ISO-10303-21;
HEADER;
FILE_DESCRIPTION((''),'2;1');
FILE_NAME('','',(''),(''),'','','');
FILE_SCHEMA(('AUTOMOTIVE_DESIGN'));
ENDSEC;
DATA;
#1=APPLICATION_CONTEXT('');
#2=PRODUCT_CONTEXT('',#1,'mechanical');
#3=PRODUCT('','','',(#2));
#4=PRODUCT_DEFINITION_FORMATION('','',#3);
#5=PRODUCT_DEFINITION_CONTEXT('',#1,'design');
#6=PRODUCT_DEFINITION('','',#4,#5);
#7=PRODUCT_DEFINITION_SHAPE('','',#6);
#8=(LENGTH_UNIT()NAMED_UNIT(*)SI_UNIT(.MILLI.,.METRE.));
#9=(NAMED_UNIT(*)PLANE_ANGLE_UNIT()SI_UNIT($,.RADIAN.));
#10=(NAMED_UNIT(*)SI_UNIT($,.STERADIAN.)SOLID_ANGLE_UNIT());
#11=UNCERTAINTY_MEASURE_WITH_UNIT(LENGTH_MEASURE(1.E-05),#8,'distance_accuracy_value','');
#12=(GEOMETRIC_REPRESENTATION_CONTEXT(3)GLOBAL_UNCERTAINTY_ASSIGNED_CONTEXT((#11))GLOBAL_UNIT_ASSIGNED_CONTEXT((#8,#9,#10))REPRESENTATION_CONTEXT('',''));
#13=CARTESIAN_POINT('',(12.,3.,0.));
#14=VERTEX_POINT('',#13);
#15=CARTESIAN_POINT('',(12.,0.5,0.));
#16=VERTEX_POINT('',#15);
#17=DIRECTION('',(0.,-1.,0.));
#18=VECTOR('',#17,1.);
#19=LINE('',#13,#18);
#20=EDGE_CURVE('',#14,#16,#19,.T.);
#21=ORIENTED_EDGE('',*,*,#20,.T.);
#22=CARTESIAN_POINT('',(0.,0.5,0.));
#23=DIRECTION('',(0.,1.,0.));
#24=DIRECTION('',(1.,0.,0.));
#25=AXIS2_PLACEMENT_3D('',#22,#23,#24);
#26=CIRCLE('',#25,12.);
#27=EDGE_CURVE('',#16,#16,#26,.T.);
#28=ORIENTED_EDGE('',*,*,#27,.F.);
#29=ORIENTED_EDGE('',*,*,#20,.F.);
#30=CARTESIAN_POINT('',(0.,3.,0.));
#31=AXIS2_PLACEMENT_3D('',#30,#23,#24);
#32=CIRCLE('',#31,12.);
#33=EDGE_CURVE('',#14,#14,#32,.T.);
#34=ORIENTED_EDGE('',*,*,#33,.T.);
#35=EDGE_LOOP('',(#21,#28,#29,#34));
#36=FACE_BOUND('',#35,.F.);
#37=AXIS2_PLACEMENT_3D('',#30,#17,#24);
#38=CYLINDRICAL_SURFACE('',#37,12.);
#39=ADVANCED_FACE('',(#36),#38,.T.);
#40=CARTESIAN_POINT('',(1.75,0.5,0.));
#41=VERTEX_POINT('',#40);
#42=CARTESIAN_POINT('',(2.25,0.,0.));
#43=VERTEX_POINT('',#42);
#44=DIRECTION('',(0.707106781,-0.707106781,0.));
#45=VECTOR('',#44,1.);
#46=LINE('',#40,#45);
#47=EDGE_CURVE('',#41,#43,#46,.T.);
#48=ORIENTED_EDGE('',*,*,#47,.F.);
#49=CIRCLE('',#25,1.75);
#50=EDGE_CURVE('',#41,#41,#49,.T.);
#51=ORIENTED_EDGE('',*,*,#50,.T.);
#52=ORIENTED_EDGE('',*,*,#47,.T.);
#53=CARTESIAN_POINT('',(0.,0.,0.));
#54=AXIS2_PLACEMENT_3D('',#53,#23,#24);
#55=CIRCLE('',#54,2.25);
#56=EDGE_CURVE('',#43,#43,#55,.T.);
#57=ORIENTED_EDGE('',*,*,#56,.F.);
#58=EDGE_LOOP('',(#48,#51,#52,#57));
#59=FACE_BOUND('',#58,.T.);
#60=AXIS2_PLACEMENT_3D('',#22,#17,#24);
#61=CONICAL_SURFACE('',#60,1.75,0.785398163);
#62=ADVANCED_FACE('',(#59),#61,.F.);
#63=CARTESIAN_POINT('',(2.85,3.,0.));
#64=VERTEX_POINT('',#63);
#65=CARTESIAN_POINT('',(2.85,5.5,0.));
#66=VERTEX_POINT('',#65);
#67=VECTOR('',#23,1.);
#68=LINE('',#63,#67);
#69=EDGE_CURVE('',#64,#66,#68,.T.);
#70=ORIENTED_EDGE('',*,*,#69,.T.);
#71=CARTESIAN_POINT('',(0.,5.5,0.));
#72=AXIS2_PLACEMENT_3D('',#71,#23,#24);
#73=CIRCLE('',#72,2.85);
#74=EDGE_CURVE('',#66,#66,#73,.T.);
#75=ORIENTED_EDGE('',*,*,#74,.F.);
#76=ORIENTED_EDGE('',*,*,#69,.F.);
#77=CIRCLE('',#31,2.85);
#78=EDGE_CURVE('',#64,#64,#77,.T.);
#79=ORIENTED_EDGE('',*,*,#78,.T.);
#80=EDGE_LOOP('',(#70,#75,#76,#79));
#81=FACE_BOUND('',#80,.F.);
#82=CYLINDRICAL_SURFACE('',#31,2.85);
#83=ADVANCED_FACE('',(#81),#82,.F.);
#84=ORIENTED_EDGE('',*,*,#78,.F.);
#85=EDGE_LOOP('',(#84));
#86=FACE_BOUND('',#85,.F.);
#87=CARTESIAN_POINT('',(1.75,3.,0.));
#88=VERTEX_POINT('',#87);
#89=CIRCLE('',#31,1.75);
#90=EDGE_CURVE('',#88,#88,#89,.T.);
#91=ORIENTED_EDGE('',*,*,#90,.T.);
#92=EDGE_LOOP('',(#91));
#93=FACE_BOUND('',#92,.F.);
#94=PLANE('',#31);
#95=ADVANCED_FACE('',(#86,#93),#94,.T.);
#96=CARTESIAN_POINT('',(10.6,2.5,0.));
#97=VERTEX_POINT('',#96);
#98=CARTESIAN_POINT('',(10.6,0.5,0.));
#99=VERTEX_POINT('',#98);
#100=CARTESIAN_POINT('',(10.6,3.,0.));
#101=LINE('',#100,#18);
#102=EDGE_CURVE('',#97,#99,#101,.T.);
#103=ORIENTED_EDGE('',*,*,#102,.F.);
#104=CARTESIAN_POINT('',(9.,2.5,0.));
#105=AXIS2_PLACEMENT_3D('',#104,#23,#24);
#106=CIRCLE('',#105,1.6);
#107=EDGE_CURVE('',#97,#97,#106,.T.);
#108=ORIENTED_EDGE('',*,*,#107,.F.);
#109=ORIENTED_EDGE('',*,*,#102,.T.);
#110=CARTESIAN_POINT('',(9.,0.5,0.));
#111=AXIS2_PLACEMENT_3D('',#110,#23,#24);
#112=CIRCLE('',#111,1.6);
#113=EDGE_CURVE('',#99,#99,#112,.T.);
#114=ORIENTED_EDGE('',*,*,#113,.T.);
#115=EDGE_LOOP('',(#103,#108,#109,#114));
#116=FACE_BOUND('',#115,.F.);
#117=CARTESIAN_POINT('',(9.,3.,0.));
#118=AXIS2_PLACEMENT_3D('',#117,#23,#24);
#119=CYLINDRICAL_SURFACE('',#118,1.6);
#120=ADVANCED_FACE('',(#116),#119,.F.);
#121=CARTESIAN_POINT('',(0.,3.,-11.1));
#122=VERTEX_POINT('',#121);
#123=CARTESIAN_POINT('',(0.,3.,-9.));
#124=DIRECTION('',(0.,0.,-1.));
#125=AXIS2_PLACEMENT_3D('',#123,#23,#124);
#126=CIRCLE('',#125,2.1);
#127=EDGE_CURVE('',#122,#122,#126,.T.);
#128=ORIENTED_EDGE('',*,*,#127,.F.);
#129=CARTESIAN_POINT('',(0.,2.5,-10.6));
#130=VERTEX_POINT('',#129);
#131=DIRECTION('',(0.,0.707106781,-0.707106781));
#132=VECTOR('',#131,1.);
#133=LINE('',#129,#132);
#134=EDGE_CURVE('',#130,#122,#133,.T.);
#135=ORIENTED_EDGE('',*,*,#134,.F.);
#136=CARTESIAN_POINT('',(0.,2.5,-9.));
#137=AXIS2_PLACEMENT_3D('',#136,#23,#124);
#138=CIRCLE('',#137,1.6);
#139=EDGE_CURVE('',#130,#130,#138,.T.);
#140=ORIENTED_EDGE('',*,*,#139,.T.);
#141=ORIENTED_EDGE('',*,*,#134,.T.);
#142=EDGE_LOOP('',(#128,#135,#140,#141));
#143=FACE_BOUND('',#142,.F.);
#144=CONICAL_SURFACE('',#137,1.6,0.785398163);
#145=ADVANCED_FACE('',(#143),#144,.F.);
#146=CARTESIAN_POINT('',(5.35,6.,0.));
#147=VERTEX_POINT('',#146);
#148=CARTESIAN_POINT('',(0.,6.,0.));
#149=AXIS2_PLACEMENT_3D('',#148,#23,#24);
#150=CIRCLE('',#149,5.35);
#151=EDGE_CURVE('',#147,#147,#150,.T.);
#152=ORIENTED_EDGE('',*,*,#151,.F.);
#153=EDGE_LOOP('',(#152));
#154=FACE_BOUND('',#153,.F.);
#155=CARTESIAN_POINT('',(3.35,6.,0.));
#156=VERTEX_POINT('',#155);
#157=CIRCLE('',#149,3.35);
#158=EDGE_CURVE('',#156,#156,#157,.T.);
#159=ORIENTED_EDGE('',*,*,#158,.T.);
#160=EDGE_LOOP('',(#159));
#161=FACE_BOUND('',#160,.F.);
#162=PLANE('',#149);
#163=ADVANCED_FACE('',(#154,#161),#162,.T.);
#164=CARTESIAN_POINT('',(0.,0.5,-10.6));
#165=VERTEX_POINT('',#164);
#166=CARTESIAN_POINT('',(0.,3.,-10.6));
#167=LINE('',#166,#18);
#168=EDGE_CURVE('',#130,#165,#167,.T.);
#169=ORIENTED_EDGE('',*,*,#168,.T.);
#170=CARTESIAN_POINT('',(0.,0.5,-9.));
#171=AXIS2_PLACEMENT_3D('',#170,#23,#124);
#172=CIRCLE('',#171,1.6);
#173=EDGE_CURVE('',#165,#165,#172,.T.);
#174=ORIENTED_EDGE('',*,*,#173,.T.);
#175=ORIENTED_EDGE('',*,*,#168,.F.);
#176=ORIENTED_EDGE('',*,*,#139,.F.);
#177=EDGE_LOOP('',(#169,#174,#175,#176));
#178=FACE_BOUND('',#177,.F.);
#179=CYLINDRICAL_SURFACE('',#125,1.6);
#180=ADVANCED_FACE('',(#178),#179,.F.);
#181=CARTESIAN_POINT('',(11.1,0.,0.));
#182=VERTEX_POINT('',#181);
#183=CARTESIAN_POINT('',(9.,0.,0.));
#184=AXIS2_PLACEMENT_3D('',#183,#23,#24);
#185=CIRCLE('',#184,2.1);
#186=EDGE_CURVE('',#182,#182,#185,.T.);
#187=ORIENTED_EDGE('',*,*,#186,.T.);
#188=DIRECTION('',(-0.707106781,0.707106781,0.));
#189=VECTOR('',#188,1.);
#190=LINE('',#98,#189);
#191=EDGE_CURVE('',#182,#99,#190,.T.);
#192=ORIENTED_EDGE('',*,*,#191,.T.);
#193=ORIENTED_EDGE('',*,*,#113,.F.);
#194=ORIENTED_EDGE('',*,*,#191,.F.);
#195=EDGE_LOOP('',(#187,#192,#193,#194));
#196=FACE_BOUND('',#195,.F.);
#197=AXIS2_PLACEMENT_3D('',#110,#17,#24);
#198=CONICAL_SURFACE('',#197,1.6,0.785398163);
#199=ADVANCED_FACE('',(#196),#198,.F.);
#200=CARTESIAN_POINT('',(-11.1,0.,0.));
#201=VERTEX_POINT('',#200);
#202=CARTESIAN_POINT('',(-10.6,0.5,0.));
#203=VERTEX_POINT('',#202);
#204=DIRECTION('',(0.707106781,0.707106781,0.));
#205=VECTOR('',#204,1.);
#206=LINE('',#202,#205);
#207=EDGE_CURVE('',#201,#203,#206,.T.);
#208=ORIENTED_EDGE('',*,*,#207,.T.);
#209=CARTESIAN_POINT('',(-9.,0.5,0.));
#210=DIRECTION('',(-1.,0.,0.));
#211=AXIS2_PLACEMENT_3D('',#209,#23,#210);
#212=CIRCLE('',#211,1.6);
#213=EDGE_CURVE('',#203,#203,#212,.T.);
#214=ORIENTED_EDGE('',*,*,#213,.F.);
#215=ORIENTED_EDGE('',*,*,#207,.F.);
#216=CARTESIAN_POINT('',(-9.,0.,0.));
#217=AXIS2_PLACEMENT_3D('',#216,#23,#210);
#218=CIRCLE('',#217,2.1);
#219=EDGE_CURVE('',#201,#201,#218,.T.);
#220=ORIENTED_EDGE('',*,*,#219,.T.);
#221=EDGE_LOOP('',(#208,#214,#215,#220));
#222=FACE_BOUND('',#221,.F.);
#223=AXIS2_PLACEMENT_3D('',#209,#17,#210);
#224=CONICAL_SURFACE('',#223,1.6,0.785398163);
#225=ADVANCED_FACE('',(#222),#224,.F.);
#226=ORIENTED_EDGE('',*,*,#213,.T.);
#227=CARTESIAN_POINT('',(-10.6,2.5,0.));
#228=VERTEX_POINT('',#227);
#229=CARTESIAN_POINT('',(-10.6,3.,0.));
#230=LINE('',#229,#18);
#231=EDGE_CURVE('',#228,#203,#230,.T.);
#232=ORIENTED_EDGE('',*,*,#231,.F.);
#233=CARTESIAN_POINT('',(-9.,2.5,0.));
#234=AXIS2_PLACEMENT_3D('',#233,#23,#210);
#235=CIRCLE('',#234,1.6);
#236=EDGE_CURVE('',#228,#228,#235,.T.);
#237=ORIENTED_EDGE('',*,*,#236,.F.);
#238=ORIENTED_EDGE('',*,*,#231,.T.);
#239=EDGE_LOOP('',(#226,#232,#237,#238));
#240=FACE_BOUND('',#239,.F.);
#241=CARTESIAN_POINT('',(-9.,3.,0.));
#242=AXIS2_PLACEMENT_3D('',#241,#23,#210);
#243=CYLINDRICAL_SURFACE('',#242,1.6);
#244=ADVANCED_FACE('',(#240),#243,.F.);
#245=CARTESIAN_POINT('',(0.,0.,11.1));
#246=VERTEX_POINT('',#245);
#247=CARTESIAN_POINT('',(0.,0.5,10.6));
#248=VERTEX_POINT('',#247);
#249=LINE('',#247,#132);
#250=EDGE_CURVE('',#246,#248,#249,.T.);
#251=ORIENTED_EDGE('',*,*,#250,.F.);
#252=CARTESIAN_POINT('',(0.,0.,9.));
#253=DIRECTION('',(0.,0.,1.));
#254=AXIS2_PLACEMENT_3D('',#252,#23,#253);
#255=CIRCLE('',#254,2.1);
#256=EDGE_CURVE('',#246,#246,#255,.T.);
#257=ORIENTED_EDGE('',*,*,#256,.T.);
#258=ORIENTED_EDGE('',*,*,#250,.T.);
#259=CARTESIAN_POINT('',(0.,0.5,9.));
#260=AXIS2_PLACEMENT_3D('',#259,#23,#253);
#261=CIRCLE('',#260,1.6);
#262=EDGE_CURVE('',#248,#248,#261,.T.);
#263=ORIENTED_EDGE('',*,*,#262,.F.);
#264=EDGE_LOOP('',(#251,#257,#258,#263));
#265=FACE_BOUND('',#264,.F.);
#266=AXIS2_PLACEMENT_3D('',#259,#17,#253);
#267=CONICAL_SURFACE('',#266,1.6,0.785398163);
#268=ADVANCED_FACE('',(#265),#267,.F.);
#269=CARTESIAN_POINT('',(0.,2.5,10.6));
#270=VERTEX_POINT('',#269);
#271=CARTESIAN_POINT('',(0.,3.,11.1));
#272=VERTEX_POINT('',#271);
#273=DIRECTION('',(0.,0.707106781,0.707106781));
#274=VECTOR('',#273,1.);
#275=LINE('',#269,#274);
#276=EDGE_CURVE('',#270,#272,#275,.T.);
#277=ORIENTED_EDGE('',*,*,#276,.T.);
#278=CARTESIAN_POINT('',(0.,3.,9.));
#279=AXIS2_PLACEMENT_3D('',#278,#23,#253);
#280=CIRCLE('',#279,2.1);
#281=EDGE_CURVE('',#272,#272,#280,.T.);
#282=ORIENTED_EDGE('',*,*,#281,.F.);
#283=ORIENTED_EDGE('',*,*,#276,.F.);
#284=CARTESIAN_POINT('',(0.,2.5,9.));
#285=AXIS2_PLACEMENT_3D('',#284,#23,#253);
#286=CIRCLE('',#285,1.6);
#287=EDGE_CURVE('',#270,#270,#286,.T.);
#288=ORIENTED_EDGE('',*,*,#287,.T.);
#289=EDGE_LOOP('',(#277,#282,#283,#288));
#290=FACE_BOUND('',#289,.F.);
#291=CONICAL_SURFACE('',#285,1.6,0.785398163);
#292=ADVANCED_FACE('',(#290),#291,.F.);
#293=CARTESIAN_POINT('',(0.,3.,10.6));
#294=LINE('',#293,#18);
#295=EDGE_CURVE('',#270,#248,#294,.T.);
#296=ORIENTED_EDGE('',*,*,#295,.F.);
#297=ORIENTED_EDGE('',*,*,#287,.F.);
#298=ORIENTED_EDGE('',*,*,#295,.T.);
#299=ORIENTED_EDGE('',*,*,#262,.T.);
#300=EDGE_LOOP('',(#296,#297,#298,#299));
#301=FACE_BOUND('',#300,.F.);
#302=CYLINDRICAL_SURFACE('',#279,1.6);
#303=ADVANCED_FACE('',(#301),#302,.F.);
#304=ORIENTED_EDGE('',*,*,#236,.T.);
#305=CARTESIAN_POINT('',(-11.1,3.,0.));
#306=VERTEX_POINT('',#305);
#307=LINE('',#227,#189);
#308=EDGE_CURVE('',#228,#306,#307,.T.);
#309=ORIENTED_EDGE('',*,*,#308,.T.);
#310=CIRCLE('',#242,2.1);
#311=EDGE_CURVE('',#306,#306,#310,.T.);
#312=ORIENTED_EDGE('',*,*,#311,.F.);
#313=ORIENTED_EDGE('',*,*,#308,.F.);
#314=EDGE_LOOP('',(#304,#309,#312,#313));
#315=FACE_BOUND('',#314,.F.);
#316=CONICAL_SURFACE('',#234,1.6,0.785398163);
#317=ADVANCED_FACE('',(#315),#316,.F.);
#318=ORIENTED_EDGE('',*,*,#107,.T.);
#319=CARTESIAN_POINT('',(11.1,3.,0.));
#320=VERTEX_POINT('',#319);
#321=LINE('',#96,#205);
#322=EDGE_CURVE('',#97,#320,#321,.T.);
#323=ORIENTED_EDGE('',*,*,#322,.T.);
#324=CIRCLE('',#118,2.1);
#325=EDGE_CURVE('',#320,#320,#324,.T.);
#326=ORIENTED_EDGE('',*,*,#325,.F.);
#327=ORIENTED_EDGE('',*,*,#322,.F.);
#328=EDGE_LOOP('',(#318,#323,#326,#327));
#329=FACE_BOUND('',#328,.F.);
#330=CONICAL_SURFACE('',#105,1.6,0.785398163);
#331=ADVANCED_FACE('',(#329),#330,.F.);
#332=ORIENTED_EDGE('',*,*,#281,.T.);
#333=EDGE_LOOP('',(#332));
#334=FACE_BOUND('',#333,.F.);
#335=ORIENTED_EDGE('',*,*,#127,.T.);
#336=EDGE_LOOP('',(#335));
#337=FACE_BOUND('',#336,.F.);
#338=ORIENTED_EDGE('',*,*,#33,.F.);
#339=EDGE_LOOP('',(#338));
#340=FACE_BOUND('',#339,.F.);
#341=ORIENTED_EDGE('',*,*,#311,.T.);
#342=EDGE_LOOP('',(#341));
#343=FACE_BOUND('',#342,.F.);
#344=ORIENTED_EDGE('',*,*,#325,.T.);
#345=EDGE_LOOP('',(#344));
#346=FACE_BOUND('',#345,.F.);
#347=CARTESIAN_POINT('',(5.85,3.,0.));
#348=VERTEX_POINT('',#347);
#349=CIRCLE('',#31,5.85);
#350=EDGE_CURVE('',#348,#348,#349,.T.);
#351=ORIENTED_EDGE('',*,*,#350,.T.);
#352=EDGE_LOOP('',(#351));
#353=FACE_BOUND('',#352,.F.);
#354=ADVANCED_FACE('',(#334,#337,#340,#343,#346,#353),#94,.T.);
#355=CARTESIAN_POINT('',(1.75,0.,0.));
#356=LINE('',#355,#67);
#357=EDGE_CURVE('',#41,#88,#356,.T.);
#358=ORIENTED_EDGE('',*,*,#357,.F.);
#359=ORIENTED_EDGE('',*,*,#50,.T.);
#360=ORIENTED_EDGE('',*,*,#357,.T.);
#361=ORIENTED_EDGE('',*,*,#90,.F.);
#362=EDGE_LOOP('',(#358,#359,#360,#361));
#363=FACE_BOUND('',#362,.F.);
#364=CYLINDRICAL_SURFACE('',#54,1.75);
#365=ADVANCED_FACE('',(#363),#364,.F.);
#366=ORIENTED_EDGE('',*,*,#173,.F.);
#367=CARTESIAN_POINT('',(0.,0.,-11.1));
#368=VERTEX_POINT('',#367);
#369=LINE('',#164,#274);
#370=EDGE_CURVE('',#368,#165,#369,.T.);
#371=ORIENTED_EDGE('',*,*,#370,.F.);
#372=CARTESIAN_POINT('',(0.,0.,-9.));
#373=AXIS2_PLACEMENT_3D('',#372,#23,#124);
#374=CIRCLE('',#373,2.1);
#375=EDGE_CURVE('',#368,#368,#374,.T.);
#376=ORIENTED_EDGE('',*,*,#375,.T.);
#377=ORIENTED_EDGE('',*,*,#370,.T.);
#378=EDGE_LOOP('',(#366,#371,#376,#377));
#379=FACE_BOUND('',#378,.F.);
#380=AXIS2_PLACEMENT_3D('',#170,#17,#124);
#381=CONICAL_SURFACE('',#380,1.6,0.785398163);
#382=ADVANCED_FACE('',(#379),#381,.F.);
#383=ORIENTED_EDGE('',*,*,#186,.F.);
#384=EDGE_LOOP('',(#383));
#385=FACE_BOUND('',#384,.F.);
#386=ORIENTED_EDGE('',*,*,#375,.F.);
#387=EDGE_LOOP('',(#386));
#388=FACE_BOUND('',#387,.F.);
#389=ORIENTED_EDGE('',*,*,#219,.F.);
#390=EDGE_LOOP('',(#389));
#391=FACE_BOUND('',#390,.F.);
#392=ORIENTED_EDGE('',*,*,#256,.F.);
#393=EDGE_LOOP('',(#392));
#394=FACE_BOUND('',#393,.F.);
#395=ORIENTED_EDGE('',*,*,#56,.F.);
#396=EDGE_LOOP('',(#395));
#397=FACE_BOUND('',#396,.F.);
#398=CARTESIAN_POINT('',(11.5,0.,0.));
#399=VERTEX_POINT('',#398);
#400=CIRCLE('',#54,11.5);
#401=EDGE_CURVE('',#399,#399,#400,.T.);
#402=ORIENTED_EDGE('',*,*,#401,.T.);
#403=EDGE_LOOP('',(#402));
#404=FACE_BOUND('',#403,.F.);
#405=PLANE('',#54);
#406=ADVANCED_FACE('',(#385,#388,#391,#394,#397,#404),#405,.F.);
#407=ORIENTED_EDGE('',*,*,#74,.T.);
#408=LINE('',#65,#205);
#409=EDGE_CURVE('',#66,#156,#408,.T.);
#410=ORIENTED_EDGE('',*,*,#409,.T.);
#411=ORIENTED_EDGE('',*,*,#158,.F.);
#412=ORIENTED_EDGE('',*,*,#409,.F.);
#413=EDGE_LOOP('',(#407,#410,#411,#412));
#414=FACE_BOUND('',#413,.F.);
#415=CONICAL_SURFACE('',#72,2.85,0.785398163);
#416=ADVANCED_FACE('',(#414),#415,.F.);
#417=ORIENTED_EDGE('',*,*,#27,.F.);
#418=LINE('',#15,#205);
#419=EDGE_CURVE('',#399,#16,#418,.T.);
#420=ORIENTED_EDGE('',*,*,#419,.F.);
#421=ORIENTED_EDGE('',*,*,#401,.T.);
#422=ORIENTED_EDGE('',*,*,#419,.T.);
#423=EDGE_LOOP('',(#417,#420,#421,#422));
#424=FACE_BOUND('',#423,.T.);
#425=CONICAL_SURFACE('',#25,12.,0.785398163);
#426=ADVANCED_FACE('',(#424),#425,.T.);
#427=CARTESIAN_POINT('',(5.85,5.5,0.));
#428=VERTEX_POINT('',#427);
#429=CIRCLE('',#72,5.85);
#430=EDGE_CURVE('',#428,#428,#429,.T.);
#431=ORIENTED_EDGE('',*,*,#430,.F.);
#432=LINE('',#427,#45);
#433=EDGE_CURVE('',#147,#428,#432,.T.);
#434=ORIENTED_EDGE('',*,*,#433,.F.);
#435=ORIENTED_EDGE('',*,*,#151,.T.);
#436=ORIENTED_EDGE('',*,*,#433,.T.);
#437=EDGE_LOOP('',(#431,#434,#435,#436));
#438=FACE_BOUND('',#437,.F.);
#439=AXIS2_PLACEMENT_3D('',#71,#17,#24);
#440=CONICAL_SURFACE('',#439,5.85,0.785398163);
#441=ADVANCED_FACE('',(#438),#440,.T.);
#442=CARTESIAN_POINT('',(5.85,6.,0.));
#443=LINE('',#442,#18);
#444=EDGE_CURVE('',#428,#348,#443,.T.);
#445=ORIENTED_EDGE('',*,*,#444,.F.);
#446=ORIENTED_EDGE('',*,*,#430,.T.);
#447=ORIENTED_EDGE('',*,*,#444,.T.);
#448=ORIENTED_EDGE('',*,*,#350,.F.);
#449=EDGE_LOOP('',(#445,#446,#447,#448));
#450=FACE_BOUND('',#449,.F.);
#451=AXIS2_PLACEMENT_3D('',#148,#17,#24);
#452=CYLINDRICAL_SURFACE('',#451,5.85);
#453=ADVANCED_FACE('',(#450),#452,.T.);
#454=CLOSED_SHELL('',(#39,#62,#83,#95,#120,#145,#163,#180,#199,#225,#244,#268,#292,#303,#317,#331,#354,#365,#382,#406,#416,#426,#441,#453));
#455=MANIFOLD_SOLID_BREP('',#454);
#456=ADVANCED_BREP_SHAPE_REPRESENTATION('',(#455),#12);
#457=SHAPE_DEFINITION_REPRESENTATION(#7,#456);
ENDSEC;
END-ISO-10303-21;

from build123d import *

# Parameters (mm, degrees)
SKETCH2_R          = 1.6
CUT_EXTRUDE1_DEPTH = 4
CIRPATTERN1_COUNT  = 4
CHAMFER1_SIZE      = 0.5


with BuildPart() as part:
    # Sketch1 → Revolve1 (revolve)
    with BuildSketch(Plane.XY):
        Polygon((1.75, 0), (1.75, 3), (2.85, 3), (2.85, 6), (5.85, 6), (5.85, 3), (12, 3), (12, 0), align=None)
    revolve(axis=Axis((0, -26.625979541, 0), (0, 1, 0)))

    # Sketch2 → Cut-Extrude1 (cut, through all)
    with BuildSketch(Plane(origin=(0, 3, 0), x_dir=(1, 0, 0), z_dir=(0, 1, 0))):
        with Locations((9, 0)):
            Circle(SKETCH2_R)
    cut_extrude1 = extrude(amount=-CUT_EXTRUDE1_DEPTH, mode=Mode.SUBTRACT)

    # CirPattern1: Cut-Extrude1 ×4 about axis
    cirpattern1_axis = Axis((0, 0, 0), (0, 1, 0))
    for i in range(1, CIRPATTERN1_COUNT):
        add(cut_extrude1.rotate(cirpattern1_axis, i * 360 / CIRPATTERN1_COUNT), mode=Mode.SUBTRACT)

    # Chamfer1
    chamfer1_edges = [part.edges().sort_by_distance(p)[0] for p in [
        (7.4, 0, 0),
        (7.4, 3, 0),
        (0, 0, 7.4),
        (0, 3, 7.4),
        (-7.4, 0, 0),
        (-7.4, 3, 0),
        (0, 0, -7.4),
        (0, 3, -7.4),
        (-12, 0, 0),
        (-5.85, 6, 0),
        (-2.85, 6, 0),
        (-1.75, 0, 0),
    ]]
    chamfer(chamfer1_edges, length=CHAMFER1_SIZE)


solid = part.part
